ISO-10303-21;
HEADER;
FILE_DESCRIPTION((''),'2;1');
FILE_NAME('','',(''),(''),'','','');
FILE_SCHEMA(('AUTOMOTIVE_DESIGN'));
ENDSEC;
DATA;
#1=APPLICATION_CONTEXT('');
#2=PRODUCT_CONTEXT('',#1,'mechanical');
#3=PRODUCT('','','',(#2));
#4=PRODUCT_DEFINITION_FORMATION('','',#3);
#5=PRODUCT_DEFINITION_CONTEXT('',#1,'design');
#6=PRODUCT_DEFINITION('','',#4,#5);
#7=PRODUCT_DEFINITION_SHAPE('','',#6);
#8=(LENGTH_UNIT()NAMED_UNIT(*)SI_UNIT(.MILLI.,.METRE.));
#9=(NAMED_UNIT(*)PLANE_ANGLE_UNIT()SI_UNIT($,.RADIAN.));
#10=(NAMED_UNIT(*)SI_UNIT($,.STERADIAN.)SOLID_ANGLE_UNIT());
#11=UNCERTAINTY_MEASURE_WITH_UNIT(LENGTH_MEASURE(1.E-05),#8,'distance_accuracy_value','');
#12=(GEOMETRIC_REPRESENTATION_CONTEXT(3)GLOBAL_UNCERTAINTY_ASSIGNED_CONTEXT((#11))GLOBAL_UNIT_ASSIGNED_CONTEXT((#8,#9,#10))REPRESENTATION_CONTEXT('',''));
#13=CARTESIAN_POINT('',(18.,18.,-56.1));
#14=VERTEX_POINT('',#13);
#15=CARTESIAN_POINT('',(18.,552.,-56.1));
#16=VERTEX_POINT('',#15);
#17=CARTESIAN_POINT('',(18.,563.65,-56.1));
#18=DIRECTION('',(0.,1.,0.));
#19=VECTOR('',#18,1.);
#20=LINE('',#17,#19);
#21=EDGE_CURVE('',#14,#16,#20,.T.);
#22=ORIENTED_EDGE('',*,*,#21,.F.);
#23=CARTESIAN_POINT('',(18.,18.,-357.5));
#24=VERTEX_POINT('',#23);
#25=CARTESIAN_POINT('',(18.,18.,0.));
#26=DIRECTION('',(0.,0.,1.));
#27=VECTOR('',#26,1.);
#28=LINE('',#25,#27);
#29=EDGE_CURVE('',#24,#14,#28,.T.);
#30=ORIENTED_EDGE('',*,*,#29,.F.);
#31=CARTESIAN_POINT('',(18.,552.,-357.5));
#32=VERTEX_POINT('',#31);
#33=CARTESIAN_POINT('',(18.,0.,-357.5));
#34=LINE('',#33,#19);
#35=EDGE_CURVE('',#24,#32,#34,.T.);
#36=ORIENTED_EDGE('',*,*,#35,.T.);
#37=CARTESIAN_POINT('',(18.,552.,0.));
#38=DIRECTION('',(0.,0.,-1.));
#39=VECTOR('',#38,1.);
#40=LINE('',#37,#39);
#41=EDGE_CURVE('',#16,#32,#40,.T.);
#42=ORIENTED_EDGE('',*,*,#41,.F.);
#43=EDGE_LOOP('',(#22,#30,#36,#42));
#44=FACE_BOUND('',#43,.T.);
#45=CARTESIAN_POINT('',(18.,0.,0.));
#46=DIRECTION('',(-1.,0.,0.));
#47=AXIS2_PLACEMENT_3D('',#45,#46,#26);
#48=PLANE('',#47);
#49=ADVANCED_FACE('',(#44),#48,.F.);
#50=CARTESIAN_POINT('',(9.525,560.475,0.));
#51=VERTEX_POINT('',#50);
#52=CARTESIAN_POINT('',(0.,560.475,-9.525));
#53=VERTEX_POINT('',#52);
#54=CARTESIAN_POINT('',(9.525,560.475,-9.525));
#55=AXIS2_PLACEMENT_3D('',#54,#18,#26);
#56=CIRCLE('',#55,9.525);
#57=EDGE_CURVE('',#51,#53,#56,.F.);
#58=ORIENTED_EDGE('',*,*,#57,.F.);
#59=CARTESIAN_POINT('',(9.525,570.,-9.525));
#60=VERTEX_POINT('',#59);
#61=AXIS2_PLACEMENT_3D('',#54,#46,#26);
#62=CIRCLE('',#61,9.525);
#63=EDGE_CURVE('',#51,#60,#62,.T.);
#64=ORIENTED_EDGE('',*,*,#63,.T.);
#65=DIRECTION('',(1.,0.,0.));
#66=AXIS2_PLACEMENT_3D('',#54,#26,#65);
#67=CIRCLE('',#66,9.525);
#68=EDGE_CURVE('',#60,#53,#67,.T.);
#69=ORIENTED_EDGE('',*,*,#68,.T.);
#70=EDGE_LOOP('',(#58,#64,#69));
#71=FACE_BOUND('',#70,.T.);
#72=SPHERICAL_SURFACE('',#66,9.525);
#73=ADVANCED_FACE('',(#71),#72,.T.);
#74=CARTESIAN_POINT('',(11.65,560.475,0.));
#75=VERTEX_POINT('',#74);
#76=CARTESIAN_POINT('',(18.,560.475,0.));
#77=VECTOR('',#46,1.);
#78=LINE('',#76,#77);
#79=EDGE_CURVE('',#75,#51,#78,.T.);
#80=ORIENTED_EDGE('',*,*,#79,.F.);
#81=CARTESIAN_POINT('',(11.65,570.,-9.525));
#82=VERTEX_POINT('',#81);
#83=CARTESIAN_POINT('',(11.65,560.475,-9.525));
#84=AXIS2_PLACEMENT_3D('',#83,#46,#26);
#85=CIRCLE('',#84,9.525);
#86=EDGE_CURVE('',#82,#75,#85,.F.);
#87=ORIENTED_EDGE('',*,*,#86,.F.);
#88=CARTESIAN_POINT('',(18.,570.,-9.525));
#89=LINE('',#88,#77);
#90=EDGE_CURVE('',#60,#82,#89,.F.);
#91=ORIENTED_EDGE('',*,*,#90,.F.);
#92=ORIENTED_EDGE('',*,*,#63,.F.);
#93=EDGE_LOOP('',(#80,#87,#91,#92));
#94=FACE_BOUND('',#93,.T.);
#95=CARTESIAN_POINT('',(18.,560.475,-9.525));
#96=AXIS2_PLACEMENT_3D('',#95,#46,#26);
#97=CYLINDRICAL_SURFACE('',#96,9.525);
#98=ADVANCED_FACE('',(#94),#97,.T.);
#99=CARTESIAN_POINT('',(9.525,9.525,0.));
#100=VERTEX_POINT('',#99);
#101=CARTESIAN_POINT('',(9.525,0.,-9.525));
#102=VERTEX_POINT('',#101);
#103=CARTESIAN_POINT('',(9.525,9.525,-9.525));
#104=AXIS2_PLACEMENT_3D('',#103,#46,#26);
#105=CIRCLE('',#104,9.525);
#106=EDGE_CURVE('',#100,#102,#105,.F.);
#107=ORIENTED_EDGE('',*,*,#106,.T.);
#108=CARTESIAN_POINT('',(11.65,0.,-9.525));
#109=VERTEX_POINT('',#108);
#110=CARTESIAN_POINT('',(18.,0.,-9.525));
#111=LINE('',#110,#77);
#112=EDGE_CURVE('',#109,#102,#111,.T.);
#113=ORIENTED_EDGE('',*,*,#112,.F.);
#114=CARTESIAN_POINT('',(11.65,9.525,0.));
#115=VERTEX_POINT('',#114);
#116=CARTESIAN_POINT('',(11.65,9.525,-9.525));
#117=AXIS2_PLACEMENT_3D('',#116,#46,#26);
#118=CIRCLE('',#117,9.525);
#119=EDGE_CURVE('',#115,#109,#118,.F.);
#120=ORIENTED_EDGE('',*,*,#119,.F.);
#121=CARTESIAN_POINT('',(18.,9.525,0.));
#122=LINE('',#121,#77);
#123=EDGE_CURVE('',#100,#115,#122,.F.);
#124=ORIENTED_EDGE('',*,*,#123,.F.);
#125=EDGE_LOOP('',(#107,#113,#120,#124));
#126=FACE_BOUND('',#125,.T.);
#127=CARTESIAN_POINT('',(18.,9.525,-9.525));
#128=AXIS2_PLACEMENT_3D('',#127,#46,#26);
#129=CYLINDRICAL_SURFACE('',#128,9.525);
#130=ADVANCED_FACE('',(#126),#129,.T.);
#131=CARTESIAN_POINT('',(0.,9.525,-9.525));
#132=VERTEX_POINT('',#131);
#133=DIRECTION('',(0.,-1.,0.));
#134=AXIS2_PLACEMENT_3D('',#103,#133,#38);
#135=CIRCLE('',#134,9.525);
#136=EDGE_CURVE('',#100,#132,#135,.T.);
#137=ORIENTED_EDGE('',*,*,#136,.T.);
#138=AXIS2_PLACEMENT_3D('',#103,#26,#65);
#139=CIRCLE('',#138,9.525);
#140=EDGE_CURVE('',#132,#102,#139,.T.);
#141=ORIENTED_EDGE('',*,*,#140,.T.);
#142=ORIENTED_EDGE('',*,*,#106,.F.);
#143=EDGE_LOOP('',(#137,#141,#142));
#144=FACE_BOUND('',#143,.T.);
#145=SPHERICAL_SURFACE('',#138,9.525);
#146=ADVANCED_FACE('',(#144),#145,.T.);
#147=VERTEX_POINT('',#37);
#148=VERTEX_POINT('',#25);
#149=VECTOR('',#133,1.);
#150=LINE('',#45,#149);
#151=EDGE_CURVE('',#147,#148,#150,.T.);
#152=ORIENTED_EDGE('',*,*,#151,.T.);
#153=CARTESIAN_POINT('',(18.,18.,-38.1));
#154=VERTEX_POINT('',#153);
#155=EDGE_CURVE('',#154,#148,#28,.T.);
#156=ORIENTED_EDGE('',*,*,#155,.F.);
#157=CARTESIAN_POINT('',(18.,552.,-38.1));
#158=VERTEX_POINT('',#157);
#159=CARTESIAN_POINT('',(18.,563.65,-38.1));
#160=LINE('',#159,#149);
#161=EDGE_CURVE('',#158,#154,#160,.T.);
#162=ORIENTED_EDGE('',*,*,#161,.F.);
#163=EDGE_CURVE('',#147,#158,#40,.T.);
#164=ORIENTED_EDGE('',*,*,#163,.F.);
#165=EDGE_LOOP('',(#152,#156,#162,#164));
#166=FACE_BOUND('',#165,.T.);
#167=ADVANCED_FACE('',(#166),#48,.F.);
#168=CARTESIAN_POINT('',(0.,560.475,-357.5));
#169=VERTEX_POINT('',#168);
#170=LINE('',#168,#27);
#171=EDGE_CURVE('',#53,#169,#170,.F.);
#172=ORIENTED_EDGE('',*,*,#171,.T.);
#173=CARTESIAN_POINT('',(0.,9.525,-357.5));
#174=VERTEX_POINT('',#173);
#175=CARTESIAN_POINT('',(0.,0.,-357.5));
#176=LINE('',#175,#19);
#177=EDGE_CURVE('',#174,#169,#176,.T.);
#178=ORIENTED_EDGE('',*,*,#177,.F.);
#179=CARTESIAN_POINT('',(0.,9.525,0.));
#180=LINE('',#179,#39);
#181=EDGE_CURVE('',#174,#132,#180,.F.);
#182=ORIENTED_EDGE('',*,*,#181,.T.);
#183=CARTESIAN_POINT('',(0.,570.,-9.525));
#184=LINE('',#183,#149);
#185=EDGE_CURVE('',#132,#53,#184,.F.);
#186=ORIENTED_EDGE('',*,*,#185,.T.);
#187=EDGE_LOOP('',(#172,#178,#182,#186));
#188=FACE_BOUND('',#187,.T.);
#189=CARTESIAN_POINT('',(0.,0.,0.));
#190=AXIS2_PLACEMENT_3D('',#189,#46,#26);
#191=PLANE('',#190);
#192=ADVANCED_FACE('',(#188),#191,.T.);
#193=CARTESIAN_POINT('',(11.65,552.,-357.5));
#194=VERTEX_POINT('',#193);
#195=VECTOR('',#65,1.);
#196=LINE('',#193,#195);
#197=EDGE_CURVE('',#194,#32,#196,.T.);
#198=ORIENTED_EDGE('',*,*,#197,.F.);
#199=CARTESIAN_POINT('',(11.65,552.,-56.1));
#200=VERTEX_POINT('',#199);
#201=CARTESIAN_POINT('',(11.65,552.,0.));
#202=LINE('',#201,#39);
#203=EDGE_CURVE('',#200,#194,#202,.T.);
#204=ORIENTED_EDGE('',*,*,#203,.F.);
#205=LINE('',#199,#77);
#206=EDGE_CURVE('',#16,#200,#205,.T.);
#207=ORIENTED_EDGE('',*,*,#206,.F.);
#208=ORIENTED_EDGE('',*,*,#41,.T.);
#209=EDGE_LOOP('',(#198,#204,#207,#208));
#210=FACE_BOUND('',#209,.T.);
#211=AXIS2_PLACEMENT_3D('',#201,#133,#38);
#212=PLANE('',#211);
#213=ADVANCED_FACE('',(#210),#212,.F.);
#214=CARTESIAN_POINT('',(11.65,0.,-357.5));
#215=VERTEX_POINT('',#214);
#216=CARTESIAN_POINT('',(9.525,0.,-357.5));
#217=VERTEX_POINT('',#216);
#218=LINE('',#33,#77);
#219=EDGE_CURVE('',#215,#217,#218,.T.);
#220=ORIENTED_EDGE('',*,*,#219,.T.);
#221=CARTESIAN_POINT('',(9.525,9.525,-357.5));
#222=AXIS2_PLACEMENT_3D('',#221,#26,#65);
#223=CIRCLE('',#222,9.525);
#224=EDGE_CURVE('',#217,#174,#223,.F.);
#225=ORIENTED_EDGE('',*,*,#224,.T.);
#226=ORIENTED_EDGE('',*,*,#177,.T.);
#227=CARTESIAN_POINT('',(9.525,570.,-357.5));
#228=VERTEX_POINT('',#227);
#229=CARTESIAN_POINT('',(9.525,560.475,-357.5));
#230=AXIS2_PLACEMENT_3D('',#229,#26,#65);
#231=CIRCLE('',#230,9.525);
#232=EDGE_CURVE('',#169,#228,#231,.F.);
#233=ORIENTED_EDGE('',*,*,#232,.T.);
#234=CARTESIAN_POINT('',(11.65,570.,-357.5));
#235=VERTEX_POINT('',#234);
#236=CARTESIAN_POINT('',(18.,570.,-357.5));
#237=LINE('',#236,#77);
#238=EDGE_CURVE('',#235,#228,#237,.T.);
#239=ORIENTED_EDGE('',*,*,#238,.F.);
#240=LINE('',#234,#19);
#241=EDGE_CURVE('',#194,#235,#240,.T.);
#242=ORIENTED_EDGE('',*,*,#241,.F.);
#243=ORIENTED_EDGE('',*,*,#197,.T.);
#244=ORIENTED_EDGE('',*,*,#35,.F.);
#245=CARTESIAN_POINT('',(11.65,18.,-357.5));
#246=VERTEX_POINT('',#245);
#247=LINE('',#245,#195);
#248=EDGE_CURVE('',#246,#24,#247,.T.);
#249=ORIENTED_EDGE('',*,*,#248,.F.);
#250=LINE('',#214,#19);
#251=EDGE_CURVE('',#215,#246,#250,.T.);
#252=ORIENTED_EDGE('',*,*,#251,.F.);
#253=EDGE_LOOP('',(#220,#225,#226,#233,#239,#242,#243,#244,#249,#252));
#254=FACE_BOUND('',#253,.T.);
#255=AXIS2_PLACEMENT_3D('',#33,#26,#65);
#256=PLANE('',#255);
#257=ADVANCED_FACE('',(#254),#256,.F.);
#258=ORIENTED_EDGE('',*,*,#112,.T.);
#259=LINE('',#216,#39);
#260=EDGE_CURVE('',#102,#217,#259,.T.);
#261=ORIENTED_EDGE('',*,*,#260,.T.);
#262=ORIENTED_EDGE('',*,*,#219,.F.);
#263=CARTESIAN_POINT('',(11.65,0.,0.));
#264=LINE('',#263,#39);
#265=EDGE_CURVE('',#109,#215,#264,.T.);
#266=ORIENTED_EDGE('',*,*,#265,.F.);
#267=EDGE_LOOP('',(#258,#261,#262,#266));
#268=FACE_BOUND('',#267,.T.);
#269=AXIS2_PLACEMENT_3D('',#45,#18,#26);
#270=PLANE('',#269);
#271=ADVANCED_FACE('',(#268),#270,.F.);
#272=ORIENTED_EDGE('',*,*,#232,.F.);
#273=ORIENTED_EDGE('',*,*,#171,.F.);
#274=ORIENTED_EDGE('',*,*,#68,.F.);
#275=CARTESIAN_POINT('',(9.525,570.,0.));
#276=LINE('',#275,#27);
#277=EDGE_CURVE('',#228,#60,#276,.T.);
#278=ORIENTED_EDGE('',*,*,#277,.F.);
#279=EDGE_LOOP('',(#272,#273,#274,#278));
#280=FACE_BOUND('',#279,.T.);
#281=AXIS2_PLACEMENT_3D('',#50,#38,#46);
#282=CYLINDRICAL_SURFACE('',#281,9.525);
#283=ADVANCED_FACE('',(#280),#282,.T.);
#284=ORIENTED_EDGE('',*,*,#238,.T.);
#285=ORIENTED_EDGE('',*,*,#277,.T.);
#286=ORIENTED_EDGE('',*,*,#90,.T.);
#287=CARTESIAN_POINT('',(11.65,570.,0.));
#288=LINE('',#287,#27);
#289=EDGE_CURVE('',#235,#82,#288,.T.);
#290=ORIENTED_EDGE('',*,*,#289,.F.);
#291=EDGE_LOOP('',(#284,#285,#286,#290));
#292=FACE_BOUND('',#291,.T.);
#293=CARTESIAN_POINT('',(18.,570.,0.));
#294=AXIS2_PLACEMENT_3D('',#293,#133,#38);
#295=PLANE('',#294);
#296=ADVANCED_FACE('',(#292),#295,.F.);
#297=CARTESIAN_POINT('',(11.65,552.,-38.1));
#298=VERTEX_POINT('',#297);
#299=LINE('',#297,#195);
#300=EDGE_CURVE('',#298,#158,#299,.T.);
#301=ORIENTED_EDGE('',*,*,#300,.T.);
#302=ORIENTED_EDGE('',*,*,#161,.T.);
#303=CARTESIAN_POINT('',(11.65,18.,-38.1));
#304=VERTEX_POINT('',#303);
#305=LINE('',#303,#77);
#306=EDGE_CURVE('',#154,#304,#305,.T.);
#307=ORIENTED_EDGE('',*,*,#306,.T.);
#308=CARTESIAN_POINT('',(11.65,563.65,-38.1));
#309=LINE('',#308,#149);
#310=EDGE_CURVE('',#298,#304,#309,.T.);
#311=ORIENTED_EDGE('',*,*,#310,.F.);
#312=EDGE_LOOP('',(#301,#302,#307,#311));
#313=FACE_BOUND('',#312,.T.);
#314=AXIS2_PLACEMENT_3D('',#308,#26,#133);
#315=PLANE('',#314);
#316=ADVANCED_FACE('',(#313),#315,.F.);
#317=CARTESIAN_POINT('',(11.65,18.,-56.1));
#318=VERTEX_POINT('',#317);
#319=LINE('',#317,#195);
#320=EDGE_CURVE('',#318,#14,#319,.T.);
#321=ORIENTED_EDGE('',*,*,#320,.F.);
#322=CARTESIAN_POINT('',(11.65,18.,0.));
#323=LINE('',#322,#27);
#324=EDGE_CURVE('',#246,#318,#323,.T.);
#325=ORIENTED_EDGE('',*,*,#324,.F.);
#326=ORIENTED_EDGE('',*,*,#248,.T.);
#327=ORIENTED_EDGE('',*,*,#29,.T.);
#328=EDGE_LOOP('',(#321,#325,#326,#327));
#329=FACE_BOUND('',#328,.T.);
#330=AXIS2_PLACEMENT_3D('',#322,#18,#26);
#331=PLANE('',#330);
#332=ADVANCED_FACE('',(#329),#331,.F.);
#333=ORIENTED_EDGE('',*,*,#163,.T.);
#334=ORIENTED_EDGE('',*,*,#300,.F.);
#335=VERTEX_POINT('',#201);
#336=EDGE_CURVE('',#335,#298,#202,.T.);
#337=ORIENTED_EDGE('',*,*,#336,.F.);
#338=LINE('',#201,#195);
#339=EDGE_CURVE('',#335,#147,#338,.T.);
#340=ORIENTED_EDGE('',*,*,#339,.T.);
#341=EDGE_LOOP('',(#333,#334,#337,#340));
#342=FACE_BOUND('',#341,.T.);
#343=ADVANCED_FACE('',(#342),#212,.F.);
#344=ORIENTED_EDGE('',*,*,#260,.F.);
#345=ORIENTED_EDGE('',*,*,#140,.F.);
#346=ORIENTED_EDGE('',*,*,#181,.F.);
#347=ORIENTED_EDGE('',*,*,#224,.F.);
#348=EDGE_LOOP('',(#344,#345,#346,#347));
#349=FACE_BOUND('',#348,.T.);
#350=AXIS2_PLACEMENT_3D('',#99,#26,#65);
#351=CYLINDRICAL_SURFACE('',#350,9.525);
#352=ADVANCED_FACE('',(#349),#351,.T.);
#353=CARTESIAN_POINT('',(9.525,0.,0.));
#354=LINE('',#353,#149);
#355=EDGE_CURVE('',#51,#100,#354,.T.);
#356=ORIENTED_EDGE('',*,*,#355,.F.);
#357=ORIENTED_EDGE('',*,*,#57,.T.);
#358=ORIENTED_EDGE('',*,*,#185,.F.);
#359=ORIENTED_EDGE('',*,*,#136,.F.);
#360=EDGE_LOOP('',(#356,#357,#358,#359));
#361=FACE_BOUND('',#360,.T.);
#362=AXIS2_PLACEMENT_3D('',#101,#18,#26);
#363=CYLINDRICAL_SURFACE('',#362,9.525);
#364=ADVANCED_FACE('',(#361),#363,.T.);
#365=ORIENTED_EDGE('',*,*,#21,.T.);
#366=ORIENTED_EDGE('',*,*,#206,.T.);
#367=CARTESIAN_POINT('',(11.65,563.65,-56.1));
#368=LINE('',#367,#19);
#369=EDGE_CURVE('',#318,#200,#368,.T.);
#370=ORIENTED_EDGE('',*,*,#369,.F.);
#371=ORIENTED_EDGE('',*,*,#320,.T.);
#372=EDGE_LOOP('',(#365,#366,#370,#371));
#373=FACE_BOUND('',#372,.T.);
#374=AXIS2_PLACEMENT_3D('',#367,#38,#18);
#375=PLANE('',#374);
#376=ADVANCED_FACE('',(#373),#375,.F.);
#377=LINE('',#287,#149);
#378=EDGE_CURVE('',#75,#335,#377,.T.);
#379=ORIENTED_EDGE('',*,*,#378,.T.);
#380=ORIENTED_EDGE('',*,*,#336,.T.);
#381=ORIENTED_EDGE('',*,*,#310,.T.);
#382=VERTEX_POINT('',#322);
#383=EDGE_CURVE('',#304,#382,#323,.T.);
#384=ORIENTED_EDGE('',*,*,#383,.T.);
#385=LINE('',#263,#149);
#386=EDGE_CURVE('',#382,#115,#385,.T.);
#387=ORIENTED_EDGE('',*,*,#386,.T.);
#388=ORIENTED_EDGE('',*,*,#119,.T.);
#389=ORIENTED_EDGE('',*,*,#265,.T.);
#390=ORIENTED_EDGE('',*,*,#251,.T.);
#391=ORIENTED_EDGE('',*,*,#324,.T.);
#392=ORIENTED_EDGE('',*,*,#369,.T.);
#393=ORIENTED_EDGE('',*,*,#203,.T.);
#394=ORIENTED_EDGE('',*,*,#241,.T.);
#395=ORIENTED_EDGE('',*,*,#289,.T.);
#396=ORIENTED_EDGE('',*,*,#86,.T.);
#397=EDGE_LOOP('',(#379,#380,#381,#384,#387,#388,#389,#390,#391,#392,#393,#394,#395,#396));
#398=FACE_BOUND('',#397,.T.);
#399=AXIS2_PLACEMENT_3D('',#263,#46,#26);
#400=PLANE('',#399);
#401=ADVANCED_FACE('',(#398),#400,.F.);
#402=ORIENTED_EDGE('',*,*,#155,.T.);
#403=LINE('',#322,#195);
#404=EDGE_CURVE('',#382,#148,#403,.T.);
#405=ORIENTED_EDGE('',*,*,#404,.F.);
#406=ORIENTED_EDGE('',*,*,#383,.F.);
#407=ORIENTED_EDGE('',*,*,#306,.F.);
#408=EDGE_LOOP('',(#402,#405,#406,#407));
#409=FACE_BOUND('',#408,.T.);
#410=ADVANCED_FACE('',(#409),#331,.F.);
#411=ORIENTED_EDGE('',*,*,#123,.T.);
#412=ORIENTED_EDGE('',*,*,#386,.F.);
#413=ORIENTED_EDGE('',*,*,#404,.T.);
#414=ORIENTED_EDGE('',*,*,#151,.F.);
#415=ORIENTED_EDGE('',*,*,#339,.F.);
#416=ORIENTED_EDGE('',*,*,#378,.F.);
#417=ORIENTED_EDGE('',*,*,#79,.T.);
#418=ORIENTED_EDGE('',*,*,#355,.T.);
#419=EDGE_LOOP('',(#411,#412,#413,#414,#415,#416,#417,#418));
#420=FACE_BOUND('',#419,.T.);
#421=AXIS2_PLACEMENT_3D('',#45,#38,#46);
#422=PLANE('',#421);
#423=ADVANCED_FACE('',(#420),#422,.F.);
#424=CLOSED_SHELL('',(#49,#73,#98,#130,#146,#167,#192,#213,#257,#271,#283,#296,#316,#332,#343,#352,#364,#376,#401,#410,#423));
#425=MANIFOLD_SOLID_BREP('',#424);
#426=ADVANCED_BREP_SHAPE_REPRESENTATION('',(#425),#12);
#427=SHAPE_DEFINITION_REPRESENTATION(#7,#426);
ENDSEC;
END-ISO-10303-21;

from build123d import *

# Parameters (mm, degrees)
SKETCH1_W           = 357.50000001
SKETCH1_H           = 570
BOSS_EXTRUDE1_DEPTH = 18
SKETCH5_W           = 18
SKETCH5_H           = 557.3
CUT_EXTRUDE3_DEPTH  = 6.35
SKETCH7_W           = 357.50000001
SKETCH7_H           = 18
CUT_EXTRUDE4_DEPTH  = 6.35
FILLET1_R           = 9.525


with BuildPart() as part:
    # Sketch1 → Boss-Extrude1 (new body)
    with BuildSketch(Plane(origin=(0, 0, 0), x_dir=(0, 0, -1), z_dir=(1, 0, 0))):
        with Locations((178.750000005, 285)):
            Rectangle(SKETCH1_W, SKETCH1_H)
    extrude(amount=BOSS_EXTRUDE1_DEPTH)

    # Sketch5 → Cut-Extrude3 (cut)
    with BuildSketch(Plane(origin=(18, 0, 0), x_dir=(0, 0, -1), z_dir=(1, 0, 0))):
        with Locations((47.1, 285)):
            Rectangle(SKETCH5_W, SKETCH5_H)
    extrude(amount=-CUT_EXTRUDE3_DEPTH, mode=Mode.SUBTRACT)

    # Sketch7 → Cut-Extrude4 (cut)
    with BuildSketch(Plane(origin=(18, 0, 0), x_dir=(0, 0, -1), z_dir=(1, 0, 0))):
        with Locations((178.750000005, 9)):
            Rectangle(SKETCH7_W, SKETCH7_H)
        with Locations((178.750000005, 561)):
            Rectangle(SKETCH7_W, SKETCH7_H)
    extrude(amount=-CUT_EXTRUDE4_DEPTH, mode=Mode.SUBTRACT)

    # Fillet1
    fillet1_edges = [part.edges().sort_by_distance(p)[0] for p in [
        (5.825, 0, 0),
        (0, 570, -178.750000005),
        (0, 0, -178.750000005),
        (5.825, 570, 0),
        (0, 285, 0),
    ]]
    fillet(fillet1_edges, radius=FILLET1_R)


solid = part.part
